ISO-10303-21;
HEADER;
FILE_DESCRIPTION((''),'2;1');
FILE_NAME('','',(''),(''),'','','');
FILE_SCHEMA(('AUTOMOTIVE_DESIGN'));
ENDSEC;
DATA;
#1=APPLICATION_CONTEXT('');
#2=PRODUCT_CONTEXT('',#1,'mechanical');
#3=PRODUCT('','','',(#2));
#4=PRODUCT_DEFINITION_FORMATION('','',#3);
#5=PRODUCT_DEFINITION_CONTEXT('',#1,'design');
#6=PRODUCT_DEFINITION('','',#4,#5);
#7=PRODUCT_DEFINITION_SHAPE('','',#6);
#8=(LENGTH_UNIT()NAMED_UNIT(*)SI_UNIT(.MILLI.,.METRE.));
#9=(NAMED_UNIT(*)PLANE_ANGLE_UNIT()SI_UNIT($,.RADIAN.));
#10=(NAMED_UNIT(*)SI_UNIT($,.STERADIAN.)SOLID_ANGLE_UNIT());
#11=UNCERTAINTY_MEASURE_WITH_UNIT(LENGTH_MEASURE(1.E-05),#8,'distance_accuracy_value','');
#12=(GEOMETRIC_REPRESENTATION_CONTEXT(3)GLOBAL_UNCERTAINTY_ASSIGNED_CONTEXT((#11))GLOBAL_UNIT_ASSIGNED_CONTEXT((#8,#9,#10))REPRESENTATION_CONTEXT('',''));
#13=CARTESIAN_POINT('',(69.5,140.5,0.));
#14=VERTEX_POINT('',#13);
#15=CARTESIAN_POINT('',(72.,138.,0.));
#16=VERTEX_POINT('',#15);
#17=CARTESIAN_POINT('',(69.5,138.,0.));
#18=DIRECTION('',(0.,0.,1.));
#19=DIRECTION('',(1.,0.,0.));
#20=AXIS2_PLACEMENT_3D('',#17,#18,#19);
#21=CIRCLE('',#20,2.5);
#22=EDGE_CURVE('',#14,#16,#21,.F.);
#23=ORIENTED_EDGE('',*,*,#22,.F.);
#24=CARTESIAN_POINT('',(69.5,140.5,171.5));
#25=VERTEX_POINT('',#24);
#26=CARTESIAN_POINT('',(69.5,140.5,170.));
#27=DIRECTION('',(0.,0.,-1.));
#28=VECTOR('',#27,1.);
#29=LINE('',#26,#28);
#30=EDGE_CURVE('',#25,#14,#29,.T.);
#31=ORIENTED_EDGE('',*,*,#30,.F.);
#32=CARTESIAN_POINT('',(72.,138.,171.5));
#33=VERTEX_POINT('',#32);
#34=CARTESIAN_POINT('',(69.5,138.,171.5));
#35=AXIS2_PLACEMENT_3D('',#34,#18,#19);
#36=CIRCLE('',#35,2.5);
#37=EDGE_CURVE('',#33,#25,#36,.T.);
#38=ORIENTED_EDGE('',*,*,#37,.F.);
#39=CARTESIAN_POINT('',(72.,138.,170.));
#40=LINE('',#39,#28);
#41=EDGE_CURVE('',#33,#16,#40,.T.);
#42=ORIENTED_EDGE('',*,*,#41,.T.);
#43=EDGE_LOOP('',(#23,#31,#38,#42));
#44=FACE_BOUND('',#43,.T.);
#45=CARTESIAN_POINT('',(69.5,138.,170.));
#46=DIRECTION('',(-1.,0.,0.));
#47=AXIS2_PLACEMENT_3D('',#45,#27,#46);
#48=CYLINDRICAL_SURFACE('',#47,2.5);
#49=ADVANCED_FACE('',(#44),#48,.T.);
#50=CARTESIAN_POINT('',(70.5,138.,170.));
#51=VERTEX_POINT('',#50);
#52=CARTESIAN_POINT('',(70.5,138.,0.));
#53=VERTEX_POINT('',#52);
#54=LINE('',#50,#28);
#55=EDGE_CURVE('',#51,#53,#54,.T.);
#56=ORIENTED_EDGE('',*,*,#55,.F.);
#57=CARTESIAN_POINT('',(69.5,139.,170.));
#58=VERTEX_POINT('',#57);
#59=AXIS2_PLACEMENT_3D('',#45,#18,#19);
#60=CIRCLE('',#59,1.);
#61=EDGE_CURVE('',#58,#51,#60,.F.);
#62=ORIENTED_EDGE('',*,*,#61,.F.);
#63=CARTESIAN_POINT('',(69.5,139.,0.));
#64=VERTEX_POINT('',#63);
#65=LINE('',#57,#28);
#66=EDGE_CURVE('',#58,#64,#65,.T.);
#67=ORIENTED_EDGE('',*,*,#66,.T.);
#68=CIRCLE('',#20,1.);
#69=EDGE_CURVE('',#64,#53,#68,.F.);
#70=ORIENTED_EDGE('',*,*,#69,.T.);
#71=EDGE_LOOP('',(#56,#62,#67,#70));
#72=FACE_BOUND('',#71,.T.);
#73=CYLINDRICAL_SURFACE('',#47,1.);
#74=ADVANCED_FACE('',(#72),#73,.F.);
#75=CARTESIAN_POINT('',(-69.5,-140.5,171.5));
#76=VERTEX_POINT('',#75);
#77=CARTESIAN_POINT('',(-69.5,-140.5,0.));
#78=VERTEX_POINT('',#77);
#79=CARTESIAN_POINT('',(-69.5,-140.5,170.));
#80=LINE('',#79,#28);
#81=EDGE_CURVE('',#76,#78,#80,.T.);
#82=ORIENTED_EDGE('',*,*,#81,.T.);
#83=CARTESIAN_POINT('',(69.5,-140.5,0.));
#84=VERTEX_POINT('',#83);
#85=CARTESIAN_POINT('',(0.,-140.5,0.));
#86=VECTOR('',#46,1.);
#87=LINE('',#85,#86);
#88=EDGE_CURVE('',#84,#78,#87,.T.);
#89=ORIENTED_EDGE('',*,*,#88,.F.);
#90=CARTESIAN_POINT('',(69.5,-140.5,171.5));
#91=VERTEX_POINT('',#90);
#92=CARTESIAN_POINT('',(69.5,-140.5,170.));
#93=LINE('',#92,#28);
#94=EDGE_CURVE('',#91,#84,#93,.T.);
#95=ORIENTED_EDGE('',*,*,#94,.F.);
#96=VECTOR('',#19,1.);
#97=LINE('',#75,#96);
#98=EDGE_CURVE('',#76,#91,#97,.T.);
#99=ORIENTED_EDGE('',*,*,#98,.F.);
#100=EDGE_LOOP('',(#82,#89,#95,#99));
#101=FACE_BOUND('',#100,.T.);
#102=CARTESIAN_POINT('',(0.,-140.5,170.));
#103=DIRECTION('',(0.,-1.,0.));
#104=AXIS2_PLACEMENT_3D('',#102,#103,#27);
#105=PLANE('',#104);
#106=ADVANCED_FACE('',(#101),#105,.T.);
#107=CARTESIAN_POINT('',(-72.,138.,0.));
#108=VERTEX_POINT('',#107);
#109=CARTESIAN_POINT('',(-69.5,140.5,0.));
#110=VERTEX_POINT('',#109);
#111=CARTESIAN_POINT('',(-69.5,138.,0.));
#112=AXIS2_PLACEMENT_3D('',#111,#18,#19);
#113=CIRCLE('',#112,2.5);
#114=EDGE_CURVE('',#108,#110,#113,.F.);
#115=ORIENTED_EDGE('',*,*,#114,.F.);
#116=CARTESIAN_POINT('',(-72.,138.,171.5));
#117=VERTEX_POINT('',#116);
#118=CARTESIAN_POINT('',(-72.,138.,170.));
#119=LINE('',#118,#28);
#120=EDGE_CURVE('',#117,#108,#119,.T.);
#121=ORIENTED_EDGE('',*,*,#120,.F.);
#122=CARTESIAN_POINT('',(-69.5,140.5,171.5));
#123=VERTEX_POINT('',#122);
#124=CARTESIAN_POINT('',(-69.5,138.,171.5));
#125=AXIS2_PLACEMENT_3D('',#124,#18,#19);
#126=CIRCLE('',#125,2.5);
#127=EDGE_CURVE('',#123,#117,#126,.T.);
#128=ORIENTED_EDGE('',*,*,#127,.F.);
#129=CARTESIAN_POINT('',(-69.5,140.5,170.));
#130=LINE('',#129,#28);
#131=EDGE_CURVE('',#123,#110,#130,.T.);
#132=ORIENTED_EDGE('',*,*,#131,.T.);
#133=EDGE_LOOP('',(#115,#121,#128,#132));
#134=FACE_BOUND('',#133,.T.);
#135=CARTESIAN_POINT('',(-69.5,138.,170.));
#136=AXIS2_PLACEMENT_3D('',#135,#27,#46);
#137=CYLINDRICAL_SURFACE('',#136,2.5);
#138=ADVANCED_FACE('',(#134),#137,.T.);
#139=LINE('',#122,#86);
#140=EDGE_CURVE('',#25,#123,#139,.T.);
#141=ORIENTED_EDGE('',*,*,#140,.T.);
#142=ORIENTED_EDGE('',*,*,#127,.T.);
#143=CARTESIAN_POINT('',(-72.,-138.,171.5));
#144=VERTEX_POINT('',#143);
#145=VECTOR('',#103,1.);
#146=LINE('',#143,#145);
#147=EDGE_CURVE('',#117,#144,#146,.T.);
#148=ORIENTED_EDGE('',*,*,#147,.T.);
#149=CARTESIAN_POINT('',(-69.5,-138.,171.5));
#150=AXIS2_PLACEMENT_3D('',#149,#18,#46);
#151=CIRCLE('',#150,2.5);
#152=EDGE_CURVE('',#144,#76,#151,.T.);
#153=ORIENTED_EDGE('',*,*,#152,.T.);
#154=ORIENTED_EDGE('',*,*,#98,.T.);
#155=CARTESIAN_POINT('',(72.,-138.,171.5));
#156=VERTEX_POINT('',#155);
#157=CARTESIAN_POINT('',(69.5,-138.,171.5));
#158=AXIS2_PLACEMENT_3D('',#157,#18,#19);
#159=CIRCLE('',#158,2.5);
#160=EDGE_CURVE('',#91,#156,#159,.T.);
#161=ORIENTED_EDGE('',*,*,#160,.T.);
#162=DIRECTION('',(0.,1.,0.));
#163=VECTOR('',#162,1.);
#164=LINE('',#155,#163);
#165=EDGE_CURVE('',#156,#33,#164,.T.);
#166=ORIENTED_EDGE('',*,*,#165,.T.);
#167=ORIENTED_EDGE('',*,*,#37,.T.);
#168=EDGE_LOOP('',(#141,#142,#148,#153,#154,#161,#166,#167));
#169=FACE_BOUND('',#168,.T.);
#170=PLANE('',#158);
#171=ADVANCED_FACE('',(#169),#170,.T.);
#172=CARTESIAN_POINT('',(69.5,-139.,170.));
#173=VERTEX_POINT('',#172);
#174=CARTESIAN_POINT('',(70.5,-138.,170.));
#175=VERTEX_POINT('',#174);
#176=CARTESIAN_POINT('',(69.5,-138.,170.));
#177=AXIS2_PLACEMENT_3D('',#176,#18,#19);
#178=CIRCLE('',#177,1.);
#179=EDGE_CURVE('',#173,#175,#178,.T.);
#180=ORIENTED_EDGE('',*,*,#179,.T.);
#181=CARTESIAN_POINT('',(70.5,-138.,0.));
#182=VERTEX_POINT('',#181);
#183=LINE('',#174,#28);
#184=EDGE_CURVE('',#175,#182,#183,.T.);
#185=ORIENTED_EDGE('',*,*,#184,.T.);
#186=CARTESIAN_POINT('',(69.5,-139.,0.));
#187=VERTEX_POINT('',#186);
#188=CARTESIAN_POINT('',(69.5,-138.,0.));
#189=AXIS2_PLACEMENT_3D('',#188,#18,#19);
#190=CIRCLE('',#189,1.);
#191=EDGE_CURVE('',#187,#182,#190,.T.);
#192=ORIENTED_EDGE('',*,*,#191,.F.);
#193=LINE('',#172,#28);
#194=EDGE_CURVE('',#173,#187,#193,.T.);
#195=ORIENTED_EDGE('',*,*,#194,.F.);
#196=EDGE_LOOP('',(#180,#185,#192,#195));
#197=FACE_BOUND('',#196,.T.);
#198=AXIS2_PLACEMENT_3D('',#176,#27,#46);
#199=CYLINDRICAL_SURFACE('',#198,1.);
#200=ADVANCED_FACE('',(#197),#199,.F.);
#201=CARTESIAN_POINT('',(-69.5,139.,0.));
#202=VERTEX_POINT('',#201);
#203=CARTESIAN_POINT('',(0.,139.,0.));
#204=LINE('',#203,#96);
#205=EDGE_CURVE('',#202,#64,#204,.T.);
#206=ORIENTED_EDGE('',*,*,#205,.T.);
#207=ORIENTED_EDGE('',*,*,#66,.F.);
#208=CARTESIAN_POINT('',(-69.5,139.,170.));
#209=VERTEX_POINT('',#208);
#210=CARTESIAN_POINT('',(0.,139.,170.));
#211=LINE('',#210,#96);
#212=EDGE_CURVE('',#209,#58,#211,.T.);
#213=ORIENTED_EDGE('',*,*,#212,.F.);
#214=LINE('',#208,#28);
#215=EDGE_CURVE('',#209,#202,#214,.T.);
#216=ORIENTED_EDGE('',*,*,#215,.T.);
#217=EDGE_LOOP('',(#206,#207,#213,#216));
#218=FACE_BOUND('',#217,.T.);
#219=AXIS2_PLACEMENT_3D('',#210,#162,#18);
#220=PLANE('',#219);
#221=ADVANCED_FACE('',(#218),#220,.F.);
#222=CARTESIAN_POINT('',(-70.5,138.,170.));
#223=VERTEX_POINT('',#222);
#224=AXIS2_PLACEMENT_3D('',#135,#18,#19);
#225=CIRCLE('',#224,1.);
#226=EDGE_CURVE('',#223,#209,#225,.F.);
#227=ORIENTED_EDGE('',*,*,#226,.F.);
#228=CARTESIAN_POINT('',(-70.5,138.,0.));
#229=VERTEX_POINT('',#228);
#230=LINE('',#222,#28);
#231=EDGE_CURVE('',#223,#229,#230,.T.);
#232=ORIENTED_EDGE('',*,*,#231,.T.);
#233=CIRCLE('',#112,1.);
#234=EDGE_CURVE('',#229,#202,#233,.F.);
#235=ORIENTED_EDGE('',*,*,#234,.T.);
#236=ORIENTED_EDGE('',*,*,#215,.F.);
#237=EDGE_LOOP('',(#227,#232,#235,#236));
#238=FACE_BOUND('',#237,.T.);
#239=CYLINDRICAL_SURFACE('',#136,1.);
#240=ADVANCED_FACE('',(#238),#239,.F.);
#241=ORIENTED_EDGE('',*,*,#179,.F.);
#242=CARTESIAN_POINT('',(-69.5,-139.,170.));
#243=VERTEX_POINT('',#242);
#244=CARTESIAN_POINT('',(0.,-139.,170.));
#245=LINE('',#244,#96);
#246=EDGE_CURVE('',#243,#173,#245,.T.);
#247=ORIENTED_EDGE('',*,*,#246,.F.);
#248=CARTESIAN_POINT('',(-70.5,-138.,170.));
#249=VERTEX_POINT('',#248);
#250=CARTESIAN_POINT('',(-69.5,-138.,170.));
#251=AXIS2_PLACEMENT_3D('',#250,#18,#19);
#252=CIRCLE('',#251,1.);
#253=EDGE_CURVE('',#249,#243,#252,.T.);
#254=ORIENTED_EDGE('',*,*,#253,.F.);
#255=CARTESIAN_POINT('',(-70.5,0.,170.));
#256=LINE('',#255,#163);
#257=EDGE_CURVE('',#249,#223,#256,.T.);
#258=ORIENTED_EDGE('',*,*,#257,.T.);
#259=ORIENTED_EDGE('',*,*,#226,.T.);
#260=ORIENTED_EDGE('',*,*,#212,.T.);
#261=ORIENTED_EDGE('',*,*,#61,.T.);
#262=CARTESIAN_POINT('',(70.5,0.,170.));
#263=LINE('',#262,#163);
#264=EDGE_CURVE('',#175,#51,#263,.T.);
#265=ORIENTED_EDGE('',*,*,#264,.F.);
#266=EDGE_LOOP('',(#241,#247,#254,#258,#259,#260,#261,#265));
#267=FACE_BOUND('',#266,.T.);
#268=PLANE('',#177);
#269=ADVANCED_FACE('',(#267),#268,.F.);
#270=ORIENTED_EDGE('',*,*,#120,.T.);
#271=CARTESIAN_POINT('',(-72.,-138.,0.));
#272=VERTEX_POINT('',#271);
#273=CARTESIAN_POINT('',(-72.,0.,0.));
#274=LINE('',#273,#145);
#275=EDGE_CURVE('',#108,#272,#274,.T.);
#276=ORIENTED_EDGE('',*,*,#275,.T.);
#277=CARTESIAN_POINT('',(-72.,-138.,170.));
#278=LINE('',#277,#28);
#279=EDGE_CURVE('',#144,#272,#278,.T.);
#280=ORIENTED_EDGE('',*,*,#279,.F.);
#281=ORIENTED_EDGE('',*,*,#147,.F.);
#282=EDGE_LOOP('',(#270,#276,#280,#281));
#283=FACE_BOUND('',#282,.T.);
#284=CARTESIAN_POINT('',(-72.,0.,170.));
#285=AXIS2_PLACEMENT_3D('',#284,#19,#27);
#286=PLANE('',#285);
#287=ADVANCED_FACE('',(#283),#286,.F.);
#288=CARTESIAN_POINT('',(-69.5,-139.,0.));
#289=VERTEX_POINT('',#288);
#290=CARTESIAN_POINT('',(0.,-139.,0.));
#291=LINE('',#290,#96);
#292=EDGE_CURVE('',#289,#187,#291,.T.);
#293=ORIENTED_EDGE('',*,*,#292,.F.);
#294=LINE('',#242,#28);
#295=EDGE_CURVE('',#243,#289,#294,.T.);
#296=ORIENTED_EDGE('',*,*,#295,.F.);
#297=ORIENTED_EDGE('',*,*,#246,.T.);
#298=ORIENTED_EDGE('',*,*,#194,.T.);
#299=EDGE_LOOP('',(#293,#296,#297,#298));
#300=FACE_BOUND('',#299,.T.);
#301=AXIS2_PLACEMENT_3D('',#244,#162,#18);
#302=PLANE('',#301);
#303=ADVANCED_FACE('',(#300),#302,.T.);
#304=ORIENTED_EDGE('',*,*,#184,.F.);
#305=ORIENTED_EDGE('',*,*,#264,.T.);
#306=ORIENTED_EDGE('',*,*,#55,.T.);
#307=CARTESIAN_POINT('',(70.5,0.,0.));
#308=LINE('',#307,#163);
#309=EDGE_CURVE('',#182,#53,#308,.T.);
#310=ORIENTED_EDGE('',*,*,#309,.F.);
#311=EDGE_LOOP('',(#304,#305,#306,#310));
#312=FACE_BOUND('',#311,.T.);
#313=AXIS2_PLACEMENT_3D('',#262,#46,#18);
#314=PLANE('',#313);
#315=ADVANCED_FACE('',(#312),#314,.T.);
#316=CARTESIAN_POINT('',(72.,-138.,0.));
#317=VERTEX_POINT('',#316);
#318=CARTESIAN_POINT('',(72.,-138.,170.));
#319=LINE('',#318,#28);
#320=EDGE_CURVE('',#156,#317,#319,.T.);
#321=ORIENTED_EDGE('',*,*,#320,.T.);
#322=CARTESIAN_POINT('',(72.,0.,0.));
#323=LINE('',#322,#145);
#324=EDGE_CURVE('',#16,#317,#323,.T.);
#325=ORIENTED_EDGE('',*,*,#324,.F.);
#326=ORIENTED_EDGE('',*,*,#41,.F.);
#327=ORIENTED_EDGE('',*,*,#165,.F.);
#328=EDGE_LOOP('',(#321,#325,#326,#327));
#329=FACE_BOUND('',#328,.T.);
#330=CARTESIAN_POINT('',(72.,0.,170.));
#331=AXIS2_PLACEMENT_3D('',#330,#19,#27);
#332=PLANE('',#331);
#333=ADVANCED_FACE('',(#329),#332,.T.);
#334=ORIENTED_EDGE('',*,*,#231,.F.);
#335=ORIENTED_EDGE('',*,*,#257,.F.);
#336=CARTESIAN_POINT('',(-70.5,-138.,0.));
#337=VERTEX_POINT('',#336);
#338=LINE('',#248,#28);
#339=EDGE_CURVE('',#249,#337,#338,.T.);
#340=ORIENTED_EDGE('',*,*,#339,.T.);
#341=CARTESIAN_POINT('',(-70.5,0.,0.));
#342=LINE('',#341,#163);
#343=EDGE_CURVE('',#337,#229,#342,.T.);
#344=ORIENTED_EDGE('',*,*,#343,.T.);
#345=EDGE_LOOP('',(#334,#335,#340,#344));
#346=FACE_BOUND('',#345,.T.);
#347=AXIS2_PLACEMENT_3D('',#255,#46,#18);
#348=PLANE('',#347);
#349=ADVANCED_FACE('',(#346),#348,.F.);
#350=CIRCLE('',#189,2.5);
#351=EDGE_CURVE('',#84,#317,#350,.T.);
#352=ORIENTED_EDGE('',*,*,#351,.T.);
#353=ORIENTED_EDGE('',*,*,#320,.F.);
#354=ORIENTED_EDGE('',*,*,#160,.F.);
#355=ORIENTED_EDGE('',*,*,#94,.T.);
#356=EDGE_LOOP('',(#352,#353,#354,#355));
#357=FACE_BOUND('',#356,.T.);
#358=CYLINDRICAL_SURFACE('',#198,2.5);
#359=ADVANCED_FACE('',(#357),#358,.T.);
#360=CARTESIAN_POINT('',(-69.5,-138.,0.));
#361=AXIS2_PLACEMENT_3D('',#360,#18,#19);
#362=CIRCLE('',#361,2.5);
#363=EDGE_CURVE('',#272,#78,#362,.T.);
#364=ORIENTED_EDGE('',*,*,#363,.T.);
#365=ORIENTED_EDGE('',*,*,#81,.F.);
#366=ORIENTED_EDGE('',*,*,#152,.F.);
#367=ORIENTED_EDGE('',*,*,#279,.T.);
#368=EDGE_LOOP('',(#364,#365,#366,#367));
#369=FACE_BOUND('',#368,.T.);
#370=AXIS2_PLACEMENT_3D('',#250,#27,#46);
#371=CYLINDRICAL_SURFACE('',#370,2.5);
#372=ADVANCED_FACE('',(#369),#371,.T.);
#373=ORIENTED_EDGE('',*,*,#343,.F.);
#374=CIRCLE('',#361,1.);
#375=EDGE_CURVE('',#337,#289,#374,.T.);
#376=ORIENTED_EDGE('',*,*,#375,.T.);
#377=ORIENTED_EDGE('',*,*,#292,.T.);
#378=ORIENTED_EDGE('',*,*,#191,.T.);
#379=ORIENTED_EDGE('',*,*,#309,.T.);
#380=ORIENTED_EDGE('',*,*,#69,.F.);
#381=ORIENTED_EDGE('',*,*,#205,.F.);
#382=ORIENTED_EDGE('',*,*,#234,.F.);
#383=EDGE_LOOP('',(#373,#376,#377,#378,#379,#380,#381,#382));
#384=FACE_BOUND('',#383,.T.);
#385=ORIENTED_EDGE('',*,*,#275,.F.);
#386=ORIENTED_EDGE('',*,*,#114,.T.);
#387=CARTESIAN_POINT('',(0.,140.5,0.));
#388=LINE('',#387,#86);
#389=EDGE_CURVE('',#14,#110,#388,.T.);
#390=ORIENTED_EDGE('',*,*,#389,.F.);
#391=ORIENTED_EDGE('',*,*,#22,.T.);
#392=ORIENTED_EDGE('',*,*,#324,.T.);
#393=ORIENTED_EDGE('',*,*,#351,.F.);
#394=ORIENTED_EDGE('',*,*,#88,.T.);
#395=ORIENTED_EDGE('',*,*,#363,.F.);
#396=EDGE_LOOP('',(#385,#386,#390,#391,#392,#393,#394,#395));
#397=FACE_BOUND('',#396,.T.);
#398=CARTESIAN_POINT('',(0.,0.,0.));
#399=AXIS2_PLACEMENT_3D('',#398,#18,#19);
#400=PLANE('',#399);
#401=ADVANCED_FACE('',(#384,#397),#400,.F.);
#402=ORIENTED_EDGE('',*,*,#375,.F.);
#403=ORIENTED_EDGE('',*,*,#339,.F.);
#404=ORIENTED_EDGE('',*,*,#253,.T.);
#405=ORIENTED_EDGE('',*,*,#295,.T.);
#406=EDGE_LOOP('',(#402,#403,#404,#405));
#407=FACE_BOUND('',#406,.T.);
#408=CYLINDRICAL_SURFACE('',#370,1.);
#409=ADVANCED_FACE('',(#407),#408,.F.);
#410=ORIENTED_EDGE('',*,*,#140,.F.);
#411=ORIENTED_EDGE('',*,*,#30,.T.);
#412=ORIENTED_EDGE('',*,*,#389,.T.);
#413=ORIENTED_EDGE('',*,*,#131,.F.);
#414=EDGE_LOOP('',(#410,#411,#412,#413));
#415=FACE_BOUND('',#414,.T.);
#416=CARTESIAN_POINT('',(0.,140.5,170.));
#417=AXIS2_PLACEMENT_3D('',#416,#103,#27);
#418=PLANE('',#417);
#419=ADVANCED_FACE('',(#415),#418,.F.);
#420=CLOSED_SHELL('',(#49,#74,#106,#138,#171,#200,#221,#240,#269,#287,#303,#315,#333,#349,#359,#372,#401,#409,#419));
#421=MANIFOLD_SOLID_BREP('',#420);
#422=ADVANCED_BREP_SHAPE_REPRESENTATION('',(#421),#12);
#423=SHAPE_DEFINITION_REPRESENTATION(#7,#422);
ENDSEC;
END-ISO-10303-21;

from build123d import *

# Parameters (mm, degrees)
BOSS_EXTRUDE1_DEPTH = 170
BOSS_EXTRUDE2_DEPTH = 1.5


with BuildPart() as part:
    # Sketch1 → Boss-Extrude1 (new body)
    with BuildSketch(Plane.XY):
        with BuildLine():
            Line((69.5, 140.5), (-69.5, 140.5))
            ThreePointArc((-69.5, 140.5), (-71.267766953, 139.767766953), (-72, 138))
            Line((-72, 138), (-72, -138))
            ThreePointArc((-72, -138), (-71.267766953, -139.767766953), (-69.5, -140.5))
            Line((-69.5, -140.5), (69.5, -140.5))
            ThreePointArc((69.5, -140.5), (71.267766953, -139.767766953), (72, -138))
            Line((72, -138), (72, 138))
            ThreePointArc((72, 138), (71.267766953, 139.767766953), (69.5, 140.5))
        make_face()
        with BuildLine():
            Line((-69.5, -139), (69.5, -139))
            ThreePointArc((69.5, -139), (70.207106781, -138.707106781), (70.5, -138))
            Line((70.5, -138), (70.5, 138))
            ThreePointArc((70.5, 138), (70.207106781, 138.707106781), (69.5, 139))
            Line((69.5, 139), (-69.5, 139))
            ThreePointArc((-69.5, 139), (-70.207106781, 138.707106781), (-70.5, 138))
            Line((-70.5, 138), (-70.5, -138))
            ThreePointArc((-70.5, -138), (-70.207106781, -138.707106781), (-69.5, -139))
        make_face(mode=Mode.SUBTRACT)
    extrude(amount=BOSS_EXTRUDE1_DEPTH)

    # Sketch2 → Boss-Extrude2 (add)
    with BuildSketch(Plane.XY.offset(170)):
        with BuildLine():
            Line((-69.5, -140.5), (69.5, -140.5))
            ThreePointArc((69.5, -140.5), (71.267766953, -139.767766953), (72, -138))
            Line((72, -138), (72, 138))
            ThreePointArc((72, 138), (71.267766953, 139.767766953), (69.5, 140.5))
            Line((69.5, 140.5), (-69.5, 140.5))
            ThreePointArc((-69.5, 140.5), (-71.267766953, 139.767766953), (-72, 138))
            Line((-72, 138), (-72, -138))
            ThreePointArc((-72, -138), (-71.267766953, -139.767766953), (-69.5, -140.5))
        make_face()
    extrude(amount=BOSS_EXTRUDE2_DEPTH)


solid = part.part
